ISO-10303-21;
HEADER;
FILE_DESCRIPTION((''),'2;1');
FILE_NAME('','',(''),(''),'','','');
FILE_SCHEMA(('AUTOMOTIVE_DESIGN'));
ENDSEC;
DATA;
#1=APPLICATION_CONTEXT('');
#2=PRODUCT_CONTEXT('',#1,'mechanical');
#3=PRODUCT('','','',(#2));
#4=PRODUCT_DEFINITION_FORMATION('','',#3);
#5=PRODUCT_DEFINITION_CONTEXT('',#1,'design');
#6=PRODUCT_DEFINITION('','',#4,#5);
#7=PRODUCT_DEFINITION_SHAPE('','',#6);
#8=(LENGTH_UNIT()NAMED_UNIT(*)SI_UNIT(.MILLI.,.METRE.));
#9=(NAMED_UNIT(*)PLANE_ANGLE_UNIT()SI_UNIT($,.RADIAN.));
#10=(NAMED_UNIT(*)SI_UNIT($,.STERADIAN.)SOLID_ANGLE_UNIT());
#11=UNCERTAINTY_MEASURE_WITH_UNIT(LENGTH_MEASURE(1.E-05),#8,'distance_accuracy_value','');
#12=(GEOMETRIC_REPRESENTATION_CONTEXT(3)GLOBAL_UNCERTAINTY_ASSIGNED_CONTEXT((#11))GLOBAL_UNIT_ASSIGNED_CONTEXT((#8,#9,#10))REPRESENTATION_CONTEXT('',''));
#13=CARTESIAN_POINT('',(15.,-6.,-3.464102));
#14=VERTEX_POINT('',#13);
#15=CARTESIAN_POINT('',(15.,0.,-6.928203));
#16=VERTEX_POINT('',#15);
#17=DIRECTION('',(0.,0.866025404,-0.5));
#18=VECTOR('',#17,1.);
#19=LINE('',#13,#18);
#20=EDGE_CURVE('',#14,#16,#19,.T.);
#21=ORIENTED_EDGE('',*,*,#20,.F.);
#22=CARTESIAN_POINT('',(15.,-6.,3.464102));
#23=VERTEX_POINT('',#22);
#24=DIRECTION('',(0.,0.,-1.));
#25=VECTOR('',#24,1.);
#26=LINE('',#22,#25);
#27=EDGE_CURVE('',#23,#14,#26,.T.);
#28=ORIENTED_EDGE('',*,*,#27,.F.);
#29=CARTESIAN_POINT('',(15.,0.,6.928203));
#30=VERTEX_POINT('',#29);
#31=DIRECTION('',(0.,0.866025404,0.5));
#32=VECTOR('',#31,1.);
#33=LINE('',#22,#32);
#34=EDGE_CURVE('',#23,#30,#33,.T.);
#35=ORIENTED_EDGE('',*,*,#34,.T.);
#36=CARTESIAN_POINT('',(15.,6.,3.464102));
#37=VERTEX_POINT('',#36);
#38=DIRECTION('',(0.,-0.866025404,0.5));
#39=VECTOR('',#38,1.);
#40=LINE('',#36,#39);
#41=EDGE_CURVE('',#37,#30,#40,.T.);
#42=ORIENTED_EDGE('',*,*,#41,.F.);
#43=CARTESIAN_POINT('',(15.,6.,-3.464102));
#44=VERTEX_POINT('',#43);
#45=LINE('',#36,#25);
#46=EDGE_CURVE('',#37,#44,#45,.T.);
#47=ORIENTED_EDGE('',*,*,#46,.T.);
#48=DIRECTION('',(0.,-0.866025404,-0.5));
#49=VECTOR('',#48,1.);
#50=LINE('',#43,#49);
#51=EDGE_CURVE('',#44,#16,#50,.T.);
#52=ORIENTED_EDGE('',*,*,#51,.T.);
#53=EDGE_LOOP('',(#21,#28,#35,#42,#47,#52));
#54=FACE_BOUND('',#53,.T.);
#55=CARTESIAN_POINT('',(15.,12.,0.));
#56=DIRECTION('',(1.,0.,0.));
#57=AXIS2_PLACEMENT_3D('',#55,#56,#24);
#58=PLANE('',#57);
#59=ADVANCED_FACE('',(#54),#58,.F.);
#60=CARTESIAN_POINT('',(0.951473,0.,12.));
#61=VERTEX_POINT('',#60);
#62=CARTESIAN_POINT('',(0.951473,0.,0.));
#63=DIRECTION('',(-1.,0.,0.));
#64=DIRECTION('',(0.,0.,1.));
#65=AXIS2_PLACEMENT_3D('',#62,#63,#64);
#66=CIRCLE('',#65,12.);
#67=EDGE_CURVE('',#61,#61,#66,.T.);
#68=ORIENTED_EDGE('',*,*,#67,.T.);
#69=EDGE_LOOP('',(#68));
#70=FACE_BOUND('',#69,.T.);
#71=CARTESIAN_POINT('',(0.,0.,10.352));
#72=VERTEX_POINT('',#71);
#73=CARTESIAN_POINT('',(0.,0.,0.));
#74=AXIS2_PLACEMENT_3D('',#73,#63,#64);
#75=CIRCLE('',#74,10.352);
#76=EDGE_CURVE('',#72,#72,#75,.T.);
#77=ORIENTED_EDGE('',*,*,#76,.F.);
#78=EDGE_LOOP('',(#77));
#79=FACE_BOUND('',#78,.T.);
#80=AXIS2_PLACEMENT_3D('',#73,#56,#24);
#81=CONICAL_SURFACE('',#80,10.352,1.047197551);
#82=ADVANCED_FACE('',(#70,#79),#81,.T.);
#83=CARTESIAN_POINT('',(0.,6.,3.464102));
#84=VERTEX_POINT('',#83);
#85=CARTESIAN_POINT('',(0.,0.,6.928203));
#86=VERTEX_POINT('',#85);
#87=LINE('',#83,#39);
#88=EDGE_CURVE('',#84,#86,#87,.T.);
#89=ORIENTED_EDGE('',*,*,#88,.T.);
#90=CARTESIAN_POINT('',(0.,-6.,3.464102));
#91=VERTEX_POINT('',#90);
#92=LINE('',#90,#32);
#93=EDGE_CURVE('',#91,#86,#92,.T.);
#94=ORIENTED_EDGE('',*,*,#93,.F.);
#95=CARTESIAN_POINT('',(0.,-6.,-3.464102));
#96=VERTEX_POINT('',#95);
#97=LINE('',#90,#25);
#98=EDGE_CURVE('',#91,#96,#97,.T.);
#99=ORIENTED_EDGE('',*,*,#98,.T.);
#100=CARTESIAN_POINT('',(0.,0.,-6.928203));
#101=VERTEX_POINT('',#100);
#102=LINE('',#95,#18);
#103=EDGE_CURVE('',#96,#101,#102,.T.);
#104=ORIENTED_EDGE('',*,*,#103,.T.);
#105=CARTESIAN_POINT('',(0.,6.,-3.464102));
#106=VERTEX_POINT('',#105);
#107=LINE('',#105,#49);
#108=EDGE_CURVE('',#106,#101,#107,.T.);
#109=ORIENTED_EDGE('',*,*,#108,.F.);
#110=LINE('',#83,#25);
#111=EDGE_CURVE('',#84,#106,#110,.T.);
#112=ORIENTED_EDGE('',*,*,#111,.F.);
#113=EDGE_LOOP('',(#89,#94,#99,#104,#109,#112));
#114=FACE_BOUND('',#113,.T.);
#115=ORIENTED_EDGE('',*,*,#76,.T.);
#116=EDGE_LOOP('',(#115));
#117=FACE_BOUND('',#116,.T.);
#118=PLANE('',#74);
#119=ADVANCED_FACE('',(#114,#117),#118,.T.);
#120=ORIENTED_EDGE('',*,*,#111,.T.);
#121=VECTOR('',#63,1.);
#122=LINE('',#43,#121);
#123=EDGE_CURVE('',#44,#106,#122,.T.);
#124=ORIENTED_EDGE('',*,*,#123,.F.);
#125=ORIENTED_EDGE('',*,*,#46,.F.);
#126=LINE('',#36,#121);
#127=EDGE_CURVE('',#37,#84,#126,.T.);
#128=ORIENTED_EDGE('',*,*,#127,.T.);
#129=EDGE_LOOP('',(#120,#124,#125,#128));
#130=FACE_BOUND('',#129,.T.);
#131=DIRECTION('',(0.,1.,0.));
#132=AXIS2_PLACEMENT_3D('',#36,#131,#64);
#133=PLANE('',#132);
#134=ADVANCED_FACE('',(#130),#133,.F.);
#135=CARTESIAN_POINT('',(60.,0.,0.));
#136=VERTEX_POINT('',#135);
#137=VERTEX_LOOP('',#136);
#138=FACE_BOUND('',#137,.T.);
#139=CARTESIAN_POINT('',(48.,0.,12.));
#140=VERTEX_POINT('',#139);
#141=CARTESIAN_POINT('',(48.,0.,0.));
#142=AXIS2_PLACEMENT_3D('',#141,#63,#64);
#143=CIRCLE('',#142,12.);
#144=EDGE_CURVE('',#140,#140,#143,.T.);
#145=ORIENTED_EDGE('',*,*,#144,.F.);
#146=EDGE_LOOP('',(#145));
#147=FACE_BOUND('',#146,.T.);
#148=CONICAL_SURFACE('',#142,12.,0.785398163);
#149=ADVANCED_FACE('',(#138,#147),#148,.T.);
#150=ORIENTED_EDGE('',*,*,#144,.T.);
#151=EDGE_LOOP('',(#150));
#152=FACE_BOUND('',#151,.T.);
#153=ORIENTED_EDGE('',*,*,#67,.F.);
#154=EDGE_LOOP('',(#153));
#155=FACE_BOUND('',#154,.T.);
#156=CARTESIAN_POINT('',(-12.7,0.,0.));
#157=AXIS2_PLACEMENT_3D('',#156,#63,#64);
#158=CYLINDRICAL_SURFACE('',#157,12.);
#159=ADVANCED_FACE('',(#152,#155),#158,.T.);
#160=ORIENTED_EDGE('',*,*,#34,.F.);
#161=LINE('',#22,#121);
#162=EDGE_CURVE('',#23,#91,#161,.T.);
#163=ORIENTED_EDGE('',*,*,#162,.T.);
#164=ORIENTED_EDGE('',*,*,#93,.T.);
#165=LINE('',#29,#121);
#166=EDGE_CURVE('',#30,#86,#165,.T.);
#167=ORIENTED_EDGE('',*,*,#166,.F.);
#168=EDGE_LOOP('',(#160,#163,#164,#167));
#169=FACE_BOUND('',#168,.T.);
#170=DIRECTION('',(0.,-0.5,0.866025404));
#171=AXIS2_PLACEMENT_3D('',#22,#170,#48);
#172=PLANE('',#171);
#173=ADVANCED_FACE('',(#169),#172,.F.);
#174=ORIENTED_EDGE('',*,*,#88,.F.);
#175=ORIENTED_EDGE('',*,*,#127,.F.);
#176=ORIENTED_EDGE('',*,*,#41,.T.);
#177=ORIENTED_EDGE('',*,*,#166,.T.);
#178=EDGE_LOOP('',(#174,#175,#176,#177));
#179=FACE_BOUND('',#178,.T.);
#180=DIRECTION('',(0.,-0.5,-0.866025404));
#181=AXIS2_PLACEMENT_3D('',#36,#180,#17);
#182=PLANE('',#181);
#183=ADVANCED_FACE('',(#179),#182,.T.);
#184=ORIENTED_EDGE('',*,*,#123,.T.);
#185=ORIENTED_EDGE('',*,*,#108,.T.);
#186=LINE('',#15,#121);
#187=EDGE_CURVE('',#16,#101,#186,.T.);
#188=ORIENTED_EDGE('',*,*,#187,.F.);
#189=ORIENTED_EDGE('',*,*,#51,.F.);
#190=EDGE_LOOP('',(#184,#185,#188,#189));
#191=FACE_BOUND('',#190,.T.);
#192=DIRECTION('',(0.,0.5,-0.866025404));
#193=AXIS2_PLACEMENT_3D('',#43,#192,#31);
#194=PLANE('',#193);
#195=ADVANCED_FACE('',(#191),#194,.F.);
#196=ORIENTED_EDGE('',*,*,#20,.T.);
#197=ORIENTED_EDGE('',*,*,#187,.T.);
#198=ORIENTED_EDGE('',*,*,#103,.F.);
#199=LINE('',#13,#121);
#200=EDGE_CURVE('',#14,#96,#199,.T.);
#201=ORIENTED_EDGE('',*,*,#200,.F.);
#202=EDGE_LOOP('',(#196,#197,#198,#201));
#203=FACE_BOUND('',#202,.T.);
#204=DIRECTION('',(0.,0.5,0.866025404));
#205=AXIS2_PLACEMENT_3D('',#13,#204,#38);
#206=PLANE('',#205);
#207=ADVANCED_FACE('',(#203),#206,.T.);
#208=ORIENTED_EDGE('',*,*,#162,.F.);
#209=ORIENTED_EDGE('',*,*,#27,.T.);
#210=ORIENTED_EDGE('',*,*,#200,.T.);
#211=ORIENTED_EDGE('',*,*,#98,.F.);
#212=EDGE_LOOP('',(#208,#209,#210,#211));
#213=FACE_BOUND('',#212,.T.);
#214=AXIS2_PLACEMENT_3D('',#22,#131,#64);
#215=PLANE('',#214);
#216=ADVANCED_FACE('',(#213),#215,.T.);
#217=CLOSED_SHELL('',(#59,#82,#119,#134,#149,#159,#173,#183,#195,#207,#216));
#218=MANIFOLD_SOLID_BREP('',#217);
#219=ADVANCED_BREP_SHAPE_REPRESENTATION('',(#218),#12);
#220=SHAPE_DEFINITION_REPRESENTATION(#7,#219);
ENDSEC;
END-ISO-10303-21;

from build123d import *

# Parameters (mm, degrees)
HEX_2_DEPTH = 15


with BuildPart() as part:
    # BodySke → BaseBody (revolve)
    with BuildSketch(Plane.XY, mode=Mode.PRIVATE) as basebody_sk:
        Polygon((0, 0), (0, 10.352), (0.951473244, 12), (48, 12), (60, 0), align=None)
    revolve(basebody_sk.sketch.rotate(Axis((-12.7, 0, 0), (1, 0, 0)), 90), axis=Axis((-12.7, 0, 0), (1, 0, 0)))

    # Sketch2 → Hex 2 (cut)
    with BuildSketch(Plane.ZY):
        Polygon((3.464101615, 6), (-3.464101615, 6), (-6.92820323, 0), (-3.464101615, -6), (3.464101615, -6), (6.92820323, 0), align=None)
    extrude(amount=-HEX_2_DEPTH, mode=Mode.SUBTRACT)


solid = part.part
